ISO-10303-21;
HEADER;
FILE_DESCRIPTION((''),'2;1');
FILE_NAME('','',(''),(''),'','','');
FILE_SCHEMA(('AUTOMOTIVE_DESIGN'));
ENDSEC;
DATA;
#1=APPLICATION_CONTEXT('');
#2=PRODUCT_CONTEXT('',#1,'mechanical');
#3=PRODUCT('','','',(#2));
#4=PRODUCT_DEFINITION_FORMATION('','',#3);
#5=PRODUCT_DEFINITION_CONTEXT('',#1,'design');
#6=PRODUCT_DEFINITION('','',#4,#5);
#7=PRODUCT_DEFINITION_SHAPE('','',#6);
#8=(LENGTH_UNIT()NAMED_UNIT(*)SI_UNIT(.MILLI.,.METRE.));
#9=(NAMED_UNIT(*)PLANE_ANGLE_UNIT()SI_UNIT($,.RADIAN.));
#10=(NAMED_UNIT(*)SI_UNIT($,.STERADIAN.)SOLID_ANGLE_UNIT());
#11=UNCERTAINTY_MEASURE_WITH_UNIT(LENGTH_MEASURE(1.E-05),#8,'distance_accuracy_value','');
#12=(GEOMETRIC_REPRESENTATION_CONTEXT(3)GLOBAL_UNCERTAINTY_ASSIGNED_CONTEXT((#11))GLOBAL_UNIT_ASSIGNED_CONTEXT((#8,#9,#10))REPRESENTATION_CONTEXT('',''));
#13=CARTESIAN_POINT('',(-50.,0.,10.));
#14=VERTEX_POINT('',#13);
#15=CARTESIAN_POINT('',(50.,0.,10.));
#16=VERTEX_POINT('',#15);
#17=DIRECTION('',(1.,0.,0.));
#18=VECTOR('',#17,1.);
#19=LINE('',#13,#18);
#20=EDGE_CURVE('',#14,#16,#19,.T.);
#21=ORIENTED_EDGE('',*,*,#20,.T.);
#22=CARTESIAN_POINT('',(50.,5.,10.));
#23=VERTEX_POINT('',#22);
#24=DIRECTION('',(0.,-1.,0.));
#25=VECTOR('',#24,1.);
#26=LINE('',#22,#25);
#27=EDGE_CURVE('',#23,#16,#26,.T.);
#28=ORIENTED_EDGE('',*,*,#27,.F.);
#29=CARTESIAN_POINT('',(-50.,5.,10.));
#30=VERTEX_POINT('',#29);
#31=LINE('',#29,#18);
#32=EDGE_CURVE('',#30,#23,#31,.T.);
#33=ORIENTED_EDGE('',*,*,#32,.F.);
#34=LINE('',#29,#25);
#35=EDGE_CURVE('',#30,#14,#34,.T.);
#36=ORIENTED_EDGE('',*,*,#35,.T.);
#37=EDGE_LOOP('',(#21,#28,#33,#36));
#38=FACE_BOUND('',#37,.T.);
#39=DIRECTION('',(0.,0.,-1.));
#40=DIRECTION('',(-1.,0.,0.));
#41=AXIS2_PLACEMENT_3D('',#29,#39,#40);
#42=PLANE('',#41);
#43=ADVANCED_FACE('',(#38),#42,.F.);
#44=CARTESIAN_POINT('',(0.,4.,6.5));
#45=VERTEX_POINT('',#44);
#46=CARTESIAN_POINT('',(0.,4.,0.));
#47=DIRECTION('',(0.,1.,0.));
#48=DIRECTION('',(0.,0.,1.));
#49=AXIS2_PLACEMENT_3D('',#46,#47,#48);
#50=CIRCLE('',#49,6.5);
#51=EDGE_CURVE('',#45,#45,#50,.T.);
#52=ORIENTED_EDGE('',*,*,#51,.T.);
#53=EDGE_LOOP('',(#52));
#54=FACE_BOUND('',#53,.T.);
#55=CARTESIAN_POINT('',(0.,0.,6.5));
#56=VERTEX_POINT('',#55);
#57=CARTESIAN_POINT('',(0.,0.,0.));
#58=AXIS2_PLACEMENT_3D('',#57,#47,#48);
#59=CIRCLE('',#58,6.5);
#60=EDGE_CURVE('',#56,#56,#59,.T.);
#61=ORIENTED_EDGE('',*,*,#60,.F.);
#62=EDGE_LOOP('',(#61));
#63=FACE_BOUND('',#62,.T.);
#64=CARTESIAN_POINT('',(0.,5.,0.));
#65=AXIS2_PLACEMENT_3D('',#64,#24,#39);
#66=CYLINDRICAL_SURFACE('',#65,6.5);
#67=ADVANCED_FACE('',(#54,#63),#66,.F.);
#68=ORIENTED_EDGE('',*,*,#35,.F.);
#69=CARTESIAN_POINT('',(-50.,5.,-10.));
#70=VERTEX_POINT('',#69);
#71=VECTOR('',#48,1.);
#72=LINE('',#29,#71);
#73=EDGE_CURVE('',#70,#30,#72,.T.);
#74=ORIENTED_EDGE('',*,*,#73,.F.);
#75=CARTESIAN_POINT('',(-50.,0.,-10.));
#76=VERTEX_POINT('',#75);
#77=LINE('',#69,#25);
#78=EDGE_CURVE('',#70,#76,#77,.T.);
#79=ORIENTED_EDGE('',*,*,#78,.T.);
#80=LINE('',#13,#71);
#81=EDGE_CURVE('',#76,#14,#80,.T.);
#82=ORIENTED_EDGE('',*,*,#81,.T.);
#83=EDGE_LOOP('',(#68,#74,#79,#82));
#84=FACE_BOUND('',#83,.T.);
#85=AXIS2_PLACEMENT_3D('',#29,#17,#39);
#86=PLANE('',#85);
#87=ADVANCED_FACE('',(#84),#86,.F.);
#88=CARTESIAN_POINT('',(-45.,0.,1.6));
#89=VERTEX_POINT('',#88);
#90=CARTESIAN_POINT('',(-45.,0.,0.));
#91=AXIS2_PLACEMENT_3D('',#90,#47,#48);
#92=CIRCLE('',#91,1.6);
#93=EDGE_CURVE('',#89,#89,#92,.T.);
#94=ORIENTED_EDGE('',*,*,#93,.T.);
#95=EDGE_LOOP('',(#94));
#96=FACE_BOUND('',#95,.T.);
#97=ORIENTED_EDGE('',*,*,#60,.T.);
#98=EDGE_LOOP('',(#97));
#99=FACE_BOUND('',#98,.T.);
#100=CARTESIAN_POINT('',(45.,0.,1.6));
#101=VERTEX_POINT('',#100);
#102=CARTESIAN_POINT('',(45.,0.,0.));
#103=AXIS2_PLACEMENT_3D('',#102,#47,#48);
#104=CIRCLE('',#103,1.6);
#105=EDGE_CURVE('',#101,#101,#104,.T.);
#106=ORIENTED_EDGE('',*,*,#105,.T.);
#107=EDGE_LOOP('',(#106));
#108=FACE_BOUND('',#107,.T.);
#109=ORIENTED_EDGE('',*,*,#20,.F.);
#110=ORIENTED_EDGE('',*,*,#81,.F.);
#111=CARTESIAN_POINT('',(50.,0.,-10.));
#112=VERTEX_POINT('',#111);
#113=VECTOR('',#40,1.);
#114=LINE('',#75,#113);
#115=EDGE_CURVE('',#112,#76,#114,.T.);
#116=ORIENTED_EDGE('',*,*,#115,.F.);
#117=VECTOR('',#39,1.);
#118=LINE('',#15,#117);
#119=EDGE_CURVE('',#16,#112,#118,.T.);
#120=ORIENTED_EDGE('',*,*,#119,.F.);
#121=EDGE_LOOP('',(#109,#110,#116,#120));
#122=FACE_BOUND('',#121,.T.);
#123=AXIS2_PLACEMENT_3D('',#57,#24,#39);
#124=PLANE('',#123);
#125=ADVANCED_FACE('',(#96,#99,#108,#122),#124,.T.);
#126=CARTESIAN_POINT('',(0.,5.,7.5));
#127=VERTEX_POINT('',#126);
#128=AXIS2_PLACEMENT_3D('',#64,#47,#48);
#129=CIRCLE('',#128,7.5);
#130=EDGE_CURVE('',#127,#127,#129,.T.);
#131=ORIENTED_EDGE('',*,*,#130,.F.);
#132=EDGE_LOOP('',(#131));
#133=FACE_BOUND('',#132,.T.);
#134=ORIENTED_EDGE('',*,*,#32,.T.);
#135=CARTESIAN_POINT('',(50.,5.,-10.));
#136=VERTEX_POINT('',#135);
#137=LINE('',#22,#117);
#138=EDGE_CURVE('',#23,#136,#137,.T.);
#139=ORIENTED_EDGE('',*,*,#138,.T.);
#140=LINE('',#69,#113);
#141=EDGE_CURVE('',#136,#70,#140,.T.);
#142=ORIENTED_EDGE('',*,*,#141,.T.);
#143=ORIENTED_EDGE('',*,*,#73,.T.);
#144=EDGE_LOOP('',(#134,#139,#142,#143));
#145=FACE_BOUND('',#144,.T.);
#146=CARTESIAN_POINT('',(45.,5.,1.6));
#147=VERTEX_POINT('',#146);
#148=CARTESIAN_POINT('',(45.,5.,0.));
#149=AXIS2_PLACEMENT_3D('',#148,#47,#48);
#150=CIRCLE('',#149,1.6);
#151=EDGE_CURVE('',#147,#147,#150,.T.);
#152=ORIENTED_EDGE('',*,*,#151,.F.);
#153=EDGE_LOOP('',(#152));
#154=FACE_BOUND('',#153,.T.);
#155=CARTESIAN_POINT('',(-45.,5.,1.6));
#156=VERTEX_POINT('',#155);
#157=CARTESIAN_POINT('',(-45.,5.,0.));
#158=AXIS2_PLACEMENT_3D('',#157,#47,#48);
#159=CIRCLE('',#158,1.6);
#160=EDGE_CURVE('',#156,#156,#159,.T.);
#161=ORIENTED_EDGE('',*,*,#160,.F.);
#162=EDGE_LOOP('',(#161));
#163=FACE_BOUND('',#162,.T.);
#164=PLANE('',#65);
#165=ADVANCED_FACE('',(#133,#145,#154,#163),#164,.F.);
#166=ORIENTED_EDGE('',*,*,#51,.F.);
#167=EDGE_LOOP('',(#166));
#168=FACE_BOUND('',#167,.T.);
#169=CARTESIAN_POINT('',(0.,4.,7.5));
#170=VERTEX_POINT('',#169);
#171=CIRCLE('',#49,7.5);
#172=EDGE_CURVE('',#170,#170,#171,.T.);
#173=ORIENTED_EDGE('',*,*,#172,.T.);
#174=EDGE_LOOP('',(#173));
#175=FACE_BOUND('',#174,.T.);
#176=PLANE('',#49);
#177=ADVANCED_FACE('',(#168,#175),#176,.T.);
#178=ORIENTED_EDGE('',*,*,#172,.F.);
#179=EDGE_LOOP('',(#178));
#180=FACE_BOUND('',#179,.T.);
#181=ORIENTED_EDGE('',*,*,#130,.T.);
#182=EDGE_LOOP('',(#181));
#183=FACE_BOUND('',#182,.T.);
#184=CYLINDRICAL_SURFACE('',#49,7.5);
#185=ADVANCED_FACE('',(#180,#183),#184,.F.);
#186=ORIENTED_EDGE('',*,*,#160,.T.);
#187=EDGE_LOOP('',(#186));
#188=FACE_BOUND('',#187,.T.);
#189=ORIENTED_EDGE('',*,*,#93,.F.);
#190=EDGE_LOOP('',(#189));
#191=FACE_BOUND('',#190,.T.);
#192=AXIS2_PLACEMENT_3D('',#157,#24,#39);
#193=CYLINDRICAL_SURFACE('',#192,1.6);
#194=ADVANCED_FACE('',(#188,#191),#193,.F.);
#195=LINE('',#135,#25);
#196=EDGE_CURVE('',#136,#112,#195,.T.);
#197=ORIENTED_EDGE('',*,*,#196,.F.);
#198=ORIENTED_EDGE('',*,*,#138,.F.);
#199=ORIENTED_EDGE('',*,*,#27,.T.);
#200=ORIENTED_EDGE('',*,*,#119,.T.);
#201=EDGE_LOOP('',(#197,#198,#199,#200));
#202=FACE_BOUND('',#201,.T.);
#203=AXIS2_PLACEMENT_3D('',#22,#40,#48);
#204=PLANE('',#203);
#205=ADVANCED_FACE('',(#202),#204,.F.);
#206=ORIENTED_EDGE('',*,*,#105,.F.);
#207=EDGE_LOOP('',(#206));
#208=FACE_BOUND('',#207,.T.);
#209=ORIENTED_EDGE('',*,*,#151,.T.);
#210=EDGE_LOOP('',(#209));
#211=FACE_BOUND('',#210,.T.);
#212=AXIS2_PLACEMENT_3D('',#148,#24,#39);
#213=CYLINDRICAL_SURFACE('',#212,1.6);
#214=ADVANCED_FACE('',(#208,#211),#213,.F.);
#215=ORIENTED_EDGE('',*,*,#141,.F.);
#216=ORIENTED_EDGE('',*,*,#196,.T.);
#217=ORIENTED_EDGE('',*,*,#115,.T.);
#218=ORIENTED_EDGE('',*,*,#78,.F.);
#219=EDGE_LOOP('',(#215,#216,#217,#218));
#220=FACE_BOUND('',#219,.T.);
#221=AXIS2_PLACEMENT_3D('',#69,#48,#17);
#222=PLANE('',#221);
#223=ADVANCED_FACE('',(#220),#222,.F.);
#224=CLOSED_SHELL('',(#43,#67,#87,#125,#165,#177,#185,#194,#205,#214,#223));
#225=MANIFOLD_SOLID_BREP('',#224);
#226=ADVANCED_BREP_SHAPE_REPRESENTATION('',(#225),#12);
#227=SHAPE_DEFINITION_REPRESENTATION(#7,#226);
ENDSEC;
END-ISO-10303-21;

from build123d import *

# Parameters (mm, degrees)
SKETCH_1_W          = 100
SKETCH_1_H          = 20
SKETCH_1_R          = 1.6
SKETCH_1_R_2        = 6.5
EXTRUDE_1_DEPTH     = 5
SKETCH_2_R          = 7.5
CUT_EXTRUDE_1_DEPTH = 1


with BuildPart() as part:
    # 草图1 → 凸台-拉伸1 (new body)
    with BuildSketch(Plane(origin=(0, 0, 0), x_dir=(1, 0, 0), z_dir=(0, 1, 0))):
        Rectangle(SKETCH_1_W, SKETCH_1_H)
        with Locations(Location((45, 0, 0), (0, 0, 270))):
            Circle(SKETCH_1_R, mode=Mode.SUBTRACT)
        with Locations(Location((-45, 0, 0), (0, 0, 270))):
            Circle(SKETCH_1_R, mode=Mode.SUBTRACT)
        with Locations(Location((0, 0, 0), (0, 0, 270))):
            Circle(SKETCH_1_R_2, mode=Mode.SUBTRACT)
    extrude(amount=EXTRUDE_1_DEPTH)

    # 草图2 → 切除-拉伸1 (cut)
    with BuildSketch(Plane(origin=(0, 5, 0), x_dir=(1, 0, 0), z_dir=(0, 1, 0))):
        with Locations(Location((0, 0, 0), (0, 0, 270))):
            Circle(SKETCH_2_R)
    extrude(amount=-CUT_EXTRUDE_1_DEPTH, mode=Mode.SUBTRACT)


solid = part.part
